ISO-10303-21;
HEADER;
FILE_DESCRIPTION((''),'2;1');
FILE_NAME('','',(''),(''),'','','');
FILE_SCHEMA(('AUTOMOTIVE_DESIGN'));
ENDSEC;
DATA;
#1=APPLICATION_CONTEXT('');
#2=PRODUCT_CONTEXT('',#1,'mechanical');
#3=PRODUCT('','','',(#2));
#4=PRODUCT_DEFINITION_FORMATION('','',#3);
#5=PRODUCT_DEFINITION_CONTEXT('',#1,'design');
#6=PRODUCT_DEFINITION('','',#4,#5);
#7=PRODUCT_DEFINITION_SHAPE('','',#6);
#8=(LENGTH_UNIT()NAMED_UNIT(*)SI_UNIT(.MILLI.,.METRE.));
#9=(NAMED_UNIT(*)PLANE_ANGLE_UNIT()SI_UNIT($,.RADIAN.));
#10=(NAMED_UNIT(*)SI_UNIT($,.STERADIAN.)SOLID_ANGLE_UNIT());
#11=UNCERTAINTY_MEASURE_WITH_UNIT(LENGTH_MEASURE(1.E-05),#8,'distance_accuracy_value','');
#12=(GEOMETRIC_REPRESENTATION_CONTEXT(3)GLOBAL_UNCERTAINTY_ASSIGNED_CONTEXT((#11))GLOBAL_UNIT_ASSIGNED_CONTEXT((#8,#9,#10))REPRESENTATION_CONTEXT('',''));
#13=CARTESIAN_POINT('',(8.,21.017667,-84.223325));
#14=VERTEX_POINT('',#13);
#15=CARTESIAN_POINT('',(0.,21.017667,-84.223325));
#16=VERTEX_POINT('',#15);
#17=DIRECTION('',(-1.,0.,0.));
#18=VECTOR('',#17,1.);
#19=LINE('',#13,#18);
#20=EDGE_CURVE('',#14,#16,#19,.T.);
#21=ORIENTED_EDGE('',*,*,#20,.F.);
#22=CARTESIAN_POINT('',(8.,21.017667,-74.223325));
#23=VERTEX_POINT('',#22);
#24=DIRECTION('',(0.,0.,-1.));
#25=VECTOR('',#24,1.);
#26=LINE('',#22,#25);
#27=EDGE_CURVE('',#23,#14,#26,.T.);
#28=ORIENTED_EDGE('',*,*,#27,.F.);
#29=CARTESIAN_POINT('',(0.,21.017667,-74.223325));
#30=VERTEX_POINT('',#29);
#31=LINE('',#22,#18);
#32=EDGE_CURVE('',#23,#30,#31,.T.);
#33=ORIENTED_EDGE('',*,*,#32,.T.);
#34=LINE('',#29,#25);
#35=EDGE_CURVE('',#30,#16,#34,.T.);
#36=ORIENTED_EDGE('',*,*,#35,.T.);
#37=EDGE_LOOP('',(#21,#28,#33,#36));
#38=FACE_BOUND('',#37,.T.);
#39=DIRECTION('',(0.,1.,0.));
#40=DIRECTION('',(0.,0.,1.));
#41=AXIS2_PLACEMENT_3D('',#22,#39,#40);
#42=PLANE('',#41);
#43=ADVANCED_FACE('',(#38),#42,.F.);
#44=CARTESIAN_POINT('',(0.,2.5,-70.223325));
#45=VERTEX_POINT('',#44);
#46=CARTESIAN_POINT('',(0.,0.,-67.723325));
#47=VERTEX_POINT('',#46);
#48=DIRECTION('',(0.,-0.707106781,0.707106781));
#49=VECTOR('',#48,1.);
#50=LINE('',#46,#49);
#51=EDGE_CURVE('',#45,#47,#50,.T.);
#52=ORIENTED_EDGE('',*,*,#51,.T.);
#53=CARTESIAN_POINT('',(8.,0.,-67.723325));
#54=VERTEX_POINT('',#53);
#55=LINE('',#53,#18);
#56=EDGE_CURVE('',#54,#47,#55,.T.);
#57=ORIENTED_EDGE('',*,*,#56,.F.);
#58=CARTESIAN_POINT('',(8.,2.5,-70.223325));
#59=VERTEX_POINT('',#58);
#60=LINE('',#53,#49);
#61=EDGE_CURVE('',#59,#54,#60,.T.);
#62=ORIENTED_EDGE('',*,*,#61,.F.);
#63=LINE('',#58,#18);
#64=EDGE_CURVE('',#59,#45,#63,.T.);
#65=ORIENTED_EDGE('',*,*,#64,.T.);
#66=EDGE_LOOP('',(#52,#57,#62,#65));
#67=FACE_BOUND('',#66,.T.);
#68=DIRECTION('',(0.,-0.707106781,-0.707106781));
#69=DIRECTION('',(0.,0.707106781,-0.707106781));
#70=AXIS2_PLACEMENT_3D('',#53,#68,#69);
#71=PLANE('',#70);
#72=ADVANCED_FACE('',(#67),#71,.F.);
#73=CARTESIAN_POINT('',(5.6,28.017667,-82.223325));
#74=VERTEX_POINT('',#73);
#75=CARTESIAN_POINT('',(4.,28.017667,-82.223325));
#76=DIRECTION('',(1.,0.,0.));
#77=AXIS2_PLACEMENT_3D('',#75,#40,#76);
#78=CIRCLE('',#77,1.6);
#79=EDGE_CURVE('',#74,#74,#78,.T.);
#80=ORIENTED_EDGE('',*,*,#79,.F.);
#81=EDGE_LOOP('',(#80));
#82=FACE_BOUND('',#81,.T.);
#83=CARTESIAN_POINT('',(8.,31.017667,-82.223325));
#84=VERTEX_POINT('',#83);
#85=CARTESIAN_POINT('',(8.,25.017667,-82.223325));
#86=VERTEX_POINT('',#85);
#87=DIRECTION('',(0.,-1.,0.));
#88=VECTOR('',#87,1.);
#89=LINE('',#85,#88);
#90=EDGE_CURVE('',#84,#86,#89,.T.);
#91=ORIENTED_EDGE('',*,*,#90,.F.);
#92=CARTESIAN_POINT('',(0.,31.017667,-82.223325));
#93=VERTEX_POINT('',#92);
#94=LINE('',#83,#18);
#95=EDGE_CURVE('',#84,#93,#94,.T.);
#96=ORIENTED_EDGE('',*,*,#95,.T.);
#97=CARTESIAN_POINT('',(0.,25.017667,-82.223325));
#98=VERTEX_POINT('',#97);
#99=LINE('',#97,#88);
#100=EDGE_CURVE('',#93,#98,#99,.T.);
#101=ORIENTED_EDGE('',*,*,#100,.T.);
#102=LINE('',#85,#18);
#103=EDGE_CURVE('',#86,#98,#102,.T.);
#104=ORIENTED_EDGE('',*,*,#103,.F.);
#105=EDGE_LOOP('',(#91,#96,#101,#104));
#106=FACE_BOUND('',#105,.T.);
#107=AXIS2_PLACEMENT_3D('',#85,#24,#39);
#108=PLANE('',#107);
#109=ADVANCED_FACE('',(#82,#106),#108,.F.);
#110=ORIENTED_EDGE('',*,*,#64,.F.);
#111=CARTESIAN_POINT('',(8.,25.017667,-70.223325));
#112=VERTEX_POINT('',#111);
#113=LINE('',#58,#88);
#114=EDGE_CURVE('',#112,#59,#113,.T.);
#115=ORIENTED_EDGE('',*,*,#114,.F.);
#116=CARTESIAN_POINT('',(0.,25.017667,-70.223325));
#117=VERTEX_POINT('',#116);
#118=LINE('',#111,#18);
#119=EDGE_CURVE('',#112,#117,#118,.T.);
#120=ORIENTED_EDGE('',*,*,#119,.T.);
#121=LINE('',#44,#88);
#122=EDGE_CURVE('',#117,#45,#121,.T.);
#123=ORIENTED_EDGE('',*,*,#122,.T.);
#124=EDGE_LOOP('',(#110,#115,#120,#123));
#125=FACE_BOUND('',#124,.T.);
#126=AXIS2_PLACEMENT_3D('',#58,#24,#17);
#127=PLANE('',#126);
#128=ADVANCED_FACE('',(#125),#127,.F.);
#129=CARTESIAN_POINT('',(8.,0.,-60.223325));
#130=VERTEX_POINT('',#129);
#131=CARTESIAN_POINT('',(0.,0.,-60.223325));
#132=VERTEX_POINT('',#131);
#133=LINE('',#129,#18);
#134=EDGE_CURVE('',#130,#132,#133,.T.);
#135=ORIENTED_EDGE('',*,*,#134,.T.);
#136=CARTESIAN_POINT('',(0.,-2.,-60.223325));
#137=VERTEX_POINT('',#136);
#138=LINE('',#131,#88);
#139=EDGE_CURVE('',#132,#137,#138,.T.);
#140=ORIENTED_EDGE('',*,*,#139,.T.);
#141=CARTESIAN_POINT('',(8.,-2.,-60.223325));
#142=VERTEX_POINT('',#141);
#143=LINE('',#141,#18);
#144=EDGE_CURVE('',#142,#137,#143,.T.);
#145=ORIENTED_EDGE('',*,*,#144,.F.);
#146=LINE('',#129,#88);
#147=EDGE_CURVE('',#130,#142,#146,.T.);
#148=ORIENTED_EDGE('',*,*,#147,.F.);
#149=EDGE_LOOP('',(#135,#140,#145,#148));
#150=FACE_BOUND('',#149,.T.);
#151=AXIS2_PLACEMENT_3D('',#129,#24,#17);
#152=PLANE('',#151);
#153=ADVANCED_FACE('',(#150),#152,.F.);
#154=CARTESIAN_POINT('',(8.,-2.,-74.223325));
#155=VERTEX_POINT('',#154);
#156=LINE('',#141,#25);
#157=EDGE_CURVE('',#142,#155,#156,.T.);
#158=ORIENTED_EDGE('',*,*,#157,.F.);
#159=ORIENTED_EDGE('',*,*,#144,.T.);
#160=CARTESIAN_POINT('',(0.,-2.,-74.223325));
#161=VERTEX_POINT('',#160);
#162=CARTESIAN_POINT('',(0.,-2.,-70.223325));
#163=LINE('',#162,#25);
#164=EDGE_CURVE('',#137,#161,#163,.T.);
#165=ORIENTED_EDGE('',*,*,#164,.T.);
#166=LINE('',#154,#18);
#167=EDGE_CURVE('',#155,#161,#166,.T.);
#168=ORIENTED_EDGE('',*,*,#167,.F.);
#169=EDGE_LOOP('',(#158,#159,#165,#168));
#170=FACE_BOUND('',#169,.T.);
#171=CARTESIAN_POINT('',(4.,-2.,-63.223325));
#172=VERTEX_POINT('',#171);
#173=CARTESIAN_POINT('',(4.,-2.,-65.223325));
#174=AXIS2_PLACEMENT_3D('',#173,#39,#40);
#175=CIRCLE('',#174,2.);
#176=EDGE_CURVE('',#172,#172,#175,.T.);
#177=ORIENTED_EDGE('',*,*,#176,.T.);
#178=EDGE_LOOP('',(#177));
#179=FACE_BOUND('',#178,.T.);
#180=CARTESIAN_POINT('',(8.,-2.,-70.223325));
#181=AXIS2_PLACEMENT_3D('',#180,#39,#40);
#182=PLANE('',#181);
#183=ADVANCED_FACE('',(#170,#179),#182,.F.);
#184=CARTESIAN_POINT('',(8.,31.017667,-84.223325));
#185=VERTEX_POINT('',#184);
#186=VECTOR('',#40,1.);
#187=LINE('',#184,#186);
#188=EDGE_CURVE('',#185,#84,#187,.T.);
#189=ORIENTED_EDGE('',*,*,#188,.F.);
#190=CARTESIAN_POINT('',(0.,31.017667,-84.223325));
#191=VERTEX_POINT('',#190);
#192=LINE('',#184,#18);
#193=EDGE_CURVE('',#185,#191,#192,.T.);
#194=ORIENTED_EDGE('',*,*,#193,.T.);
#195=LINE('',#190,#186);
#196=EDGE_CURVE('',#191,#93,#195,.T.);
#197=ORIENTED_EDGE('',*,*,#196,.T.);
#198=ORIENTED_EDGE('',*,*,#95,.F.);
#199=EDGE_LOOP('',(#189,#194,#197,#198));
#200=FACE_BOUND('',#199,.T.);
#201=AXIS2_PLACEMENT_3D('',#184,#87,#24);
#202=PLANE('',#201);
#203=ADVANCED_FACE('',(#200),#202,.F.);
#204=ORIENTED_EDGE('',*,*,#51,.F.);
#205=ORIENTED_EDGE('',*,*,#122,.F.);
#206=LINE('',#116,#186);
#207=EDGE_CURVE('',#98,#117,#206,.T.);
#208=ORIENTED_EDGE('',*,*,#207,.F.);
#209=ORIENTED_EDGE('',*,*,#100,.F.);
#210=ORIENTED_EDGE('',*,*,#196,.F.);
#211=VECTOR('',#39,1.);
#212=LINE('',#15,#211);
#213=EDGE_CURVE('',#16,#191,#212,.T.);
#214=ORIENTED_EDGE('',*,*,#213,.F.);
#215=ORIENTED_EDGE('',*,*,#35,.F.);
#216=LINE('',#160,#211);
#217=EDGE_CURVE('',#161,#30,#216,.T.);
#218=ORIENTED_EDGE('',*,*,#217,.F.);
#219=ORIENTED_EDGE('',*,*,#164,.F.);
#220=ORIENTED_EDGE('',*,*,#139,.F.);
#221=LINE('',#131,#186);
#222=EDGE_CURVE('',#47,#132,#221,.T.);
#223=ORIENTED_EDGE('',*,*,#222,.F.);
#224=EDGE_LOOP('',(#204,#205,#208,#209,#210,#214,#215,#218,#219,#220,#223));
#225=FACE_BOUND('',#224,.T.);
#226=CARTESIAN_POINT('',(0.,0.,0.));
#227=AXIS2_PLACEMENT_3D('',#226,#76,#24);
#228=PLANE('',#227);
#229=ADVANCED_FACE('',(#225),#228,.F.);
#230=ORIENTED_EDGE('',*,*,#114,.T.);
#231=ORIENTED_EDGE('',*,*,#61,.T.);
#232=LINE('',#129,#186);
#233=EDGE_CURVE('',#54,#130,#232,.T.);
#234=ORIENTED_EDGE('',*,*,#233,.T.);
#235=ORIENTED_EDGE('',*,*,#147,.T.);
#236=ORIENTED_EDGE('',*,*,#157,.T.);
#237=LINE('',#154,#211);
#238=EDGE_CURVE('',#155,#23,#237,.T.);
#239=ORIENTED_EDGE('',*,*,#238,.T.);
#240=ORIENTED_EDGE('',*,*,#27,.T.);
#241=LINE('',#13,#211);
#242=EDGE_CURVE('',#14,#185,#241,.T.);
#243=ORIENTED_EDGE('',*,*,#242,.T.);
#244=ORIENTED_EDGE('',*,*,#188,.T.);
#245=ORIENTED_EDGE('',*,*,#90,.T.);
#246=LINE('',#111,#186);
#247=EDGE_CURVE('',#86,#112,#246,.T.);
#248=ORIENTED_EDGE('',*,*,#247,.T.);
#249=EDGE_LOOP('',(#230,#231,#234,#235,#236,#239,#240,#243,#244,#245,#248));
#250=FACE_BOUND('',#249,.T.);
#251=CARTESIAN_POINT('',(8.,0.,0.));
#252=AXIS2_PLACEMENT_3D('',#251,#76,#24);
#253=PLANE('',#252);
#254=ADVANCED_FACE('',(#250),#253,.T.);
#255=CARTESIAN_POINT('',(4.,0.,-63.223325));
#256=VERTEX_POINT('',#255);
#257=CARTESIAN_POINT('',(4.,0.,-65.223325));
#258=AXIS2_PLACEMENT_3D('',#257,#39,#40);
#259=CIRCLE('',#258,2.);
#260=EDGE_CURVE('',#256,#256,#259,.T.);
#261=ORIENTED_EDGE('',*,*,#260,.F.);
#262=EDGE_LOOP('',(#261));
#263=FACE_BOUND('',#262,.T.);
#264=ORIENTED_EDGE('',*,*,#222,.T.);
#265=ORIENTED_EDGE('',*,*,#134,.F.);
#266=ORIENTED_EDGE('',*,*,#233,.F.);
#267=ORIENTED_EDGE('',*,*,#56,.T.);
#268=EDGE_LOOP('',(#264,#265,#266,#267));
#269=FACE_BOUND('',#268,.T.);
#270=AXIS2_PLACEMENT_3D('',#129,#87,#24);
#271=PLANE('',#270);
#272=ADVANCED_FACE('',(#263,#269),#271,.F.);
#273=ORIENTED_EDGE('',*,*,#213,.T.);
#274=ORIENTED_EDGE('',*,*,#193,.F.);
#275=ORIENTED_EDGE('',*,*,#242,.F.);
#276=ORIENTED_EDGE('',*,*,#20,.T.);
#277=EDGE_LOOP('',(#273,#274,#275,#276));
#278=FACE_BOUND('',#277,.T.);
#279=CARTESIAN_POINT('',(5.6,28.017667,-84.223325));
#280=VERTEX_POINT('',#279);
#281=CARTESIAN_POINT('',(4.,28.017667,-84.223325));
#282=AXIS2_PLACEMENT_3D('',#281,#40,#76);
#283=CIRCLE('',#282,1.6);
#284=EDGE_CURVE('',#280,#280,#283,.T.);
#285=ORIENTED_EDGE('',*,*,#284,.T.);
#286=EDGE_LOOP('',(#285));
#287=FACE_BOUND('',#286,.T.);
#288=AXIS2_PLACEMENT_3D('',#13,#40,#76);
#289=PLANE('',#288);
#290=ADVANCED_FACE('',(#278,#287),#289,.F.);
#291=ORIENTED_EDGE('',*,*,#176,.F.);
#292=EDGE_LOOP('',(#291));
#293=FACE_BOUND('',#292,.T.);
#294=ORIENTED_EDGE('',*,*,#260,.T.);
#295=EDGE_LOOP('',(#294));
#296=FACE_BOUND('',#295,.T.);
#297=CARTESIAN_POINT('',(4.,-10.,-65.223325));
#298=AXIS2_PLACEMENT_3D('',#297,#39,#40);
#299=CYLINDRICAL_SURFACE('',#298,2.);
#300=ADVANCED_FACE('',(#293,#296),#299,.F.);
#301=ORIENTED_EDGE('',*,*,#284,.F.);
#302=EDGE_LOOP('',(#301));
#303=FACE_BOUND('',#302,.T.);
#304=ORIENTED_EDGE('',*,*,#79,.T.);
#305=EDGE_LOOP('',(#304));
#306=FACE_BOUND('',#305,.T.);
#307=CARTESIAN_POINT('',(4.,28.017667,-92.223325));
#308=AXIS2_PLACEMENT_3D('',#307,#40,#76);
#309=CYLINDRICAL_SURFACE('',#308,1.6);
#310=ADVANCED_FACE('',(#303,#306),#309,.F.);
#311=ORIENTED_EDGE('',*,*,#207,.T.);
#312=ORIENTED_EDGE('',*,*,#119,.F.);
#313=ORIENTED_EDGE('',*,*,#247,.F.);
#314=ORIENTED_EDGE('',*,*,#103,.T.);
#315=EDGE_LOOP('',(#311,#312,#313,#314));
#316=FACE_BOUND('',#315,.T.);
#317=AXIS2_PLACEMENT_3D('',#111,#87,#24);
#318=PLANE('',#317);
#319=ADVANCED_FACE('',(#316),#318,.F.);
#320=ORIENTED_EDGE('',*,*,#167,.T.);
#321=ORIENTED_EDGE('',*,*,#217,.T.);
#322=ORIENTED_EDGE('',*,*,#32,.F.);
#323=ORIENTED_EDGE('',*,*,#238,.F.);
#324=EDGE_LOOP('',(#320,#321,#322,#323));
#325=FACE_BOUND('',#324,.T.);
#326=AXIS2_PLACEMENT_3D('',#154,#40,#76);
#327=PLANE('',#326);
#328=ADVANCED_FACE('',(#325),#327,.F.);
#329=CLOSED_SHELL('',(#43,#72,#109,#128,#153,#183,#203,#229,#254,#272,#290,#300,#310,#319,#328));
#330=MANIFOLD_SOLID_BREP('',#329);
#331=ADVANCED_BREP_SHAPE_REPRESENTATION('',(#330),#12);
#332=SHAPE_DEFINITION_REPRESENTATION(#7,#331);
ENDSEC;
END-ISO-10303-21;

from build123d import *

# Parameters (mm, degrees)
BOSS_EXTRUDE1_DEPTH = 8
SKETCH3_R           = 1.6
CUT_EXTRUDE1_DEPTH  = 10
SKETCH4_R           = 2
CUT_EXTRUDE2_DEPTH  = 10


with BuildPart() as part:
    # Sketch1 → Boss-Extrude1 (new body)
    with BuildSketch(Plane(origin=(0, 0, 0), x_dir=(0, 0, -1), z_dir=(1, 0, 0))):
        Polygon((70.223325062, 25.017667028), (82.223325062, 25.017667028), (82.223325062, 31.017667028), (84.223325062, 31.017667028), (84.223325062, 21.017667028), (74.223325062, 21.017667028), (74.223325062, -2), (70.223325062, -2), (60.223325062, -2), (60.223325062, 0), (67.723325062, 0), (70.223325062, 2.5), align=None)
    extrude(amount=BOSS_EXTRUDE1_DEPTH)

    # Sketch3 → Cut-Extrude1 (cut)
    with BuildSketch(Plane.XY.offset(-82.223325062)):
        with Locations((4, 28.017667028)):
            Circle(SKETCH3_R)
    extrude(amount=-CUT_EXTRUDE1_DEPTH, mode=Mode.SUBTRACT)

    # Sketch4 → Cut-Extrude2 (cut)
    with BuildSketch(Plane(origin=(0, 0, 0), x_dir=(1, 0, 0), z_dir=(0, 1, 0))):
        with Locations(Location((4, 65.223325062, 0), (0, 0, 270))):
            Circle(SKETCH4_R)
    extrude(amount=-CUT_EXTRUDE2_DEPTH, mode=Mode.SUBTRACT)


solid = part.part
